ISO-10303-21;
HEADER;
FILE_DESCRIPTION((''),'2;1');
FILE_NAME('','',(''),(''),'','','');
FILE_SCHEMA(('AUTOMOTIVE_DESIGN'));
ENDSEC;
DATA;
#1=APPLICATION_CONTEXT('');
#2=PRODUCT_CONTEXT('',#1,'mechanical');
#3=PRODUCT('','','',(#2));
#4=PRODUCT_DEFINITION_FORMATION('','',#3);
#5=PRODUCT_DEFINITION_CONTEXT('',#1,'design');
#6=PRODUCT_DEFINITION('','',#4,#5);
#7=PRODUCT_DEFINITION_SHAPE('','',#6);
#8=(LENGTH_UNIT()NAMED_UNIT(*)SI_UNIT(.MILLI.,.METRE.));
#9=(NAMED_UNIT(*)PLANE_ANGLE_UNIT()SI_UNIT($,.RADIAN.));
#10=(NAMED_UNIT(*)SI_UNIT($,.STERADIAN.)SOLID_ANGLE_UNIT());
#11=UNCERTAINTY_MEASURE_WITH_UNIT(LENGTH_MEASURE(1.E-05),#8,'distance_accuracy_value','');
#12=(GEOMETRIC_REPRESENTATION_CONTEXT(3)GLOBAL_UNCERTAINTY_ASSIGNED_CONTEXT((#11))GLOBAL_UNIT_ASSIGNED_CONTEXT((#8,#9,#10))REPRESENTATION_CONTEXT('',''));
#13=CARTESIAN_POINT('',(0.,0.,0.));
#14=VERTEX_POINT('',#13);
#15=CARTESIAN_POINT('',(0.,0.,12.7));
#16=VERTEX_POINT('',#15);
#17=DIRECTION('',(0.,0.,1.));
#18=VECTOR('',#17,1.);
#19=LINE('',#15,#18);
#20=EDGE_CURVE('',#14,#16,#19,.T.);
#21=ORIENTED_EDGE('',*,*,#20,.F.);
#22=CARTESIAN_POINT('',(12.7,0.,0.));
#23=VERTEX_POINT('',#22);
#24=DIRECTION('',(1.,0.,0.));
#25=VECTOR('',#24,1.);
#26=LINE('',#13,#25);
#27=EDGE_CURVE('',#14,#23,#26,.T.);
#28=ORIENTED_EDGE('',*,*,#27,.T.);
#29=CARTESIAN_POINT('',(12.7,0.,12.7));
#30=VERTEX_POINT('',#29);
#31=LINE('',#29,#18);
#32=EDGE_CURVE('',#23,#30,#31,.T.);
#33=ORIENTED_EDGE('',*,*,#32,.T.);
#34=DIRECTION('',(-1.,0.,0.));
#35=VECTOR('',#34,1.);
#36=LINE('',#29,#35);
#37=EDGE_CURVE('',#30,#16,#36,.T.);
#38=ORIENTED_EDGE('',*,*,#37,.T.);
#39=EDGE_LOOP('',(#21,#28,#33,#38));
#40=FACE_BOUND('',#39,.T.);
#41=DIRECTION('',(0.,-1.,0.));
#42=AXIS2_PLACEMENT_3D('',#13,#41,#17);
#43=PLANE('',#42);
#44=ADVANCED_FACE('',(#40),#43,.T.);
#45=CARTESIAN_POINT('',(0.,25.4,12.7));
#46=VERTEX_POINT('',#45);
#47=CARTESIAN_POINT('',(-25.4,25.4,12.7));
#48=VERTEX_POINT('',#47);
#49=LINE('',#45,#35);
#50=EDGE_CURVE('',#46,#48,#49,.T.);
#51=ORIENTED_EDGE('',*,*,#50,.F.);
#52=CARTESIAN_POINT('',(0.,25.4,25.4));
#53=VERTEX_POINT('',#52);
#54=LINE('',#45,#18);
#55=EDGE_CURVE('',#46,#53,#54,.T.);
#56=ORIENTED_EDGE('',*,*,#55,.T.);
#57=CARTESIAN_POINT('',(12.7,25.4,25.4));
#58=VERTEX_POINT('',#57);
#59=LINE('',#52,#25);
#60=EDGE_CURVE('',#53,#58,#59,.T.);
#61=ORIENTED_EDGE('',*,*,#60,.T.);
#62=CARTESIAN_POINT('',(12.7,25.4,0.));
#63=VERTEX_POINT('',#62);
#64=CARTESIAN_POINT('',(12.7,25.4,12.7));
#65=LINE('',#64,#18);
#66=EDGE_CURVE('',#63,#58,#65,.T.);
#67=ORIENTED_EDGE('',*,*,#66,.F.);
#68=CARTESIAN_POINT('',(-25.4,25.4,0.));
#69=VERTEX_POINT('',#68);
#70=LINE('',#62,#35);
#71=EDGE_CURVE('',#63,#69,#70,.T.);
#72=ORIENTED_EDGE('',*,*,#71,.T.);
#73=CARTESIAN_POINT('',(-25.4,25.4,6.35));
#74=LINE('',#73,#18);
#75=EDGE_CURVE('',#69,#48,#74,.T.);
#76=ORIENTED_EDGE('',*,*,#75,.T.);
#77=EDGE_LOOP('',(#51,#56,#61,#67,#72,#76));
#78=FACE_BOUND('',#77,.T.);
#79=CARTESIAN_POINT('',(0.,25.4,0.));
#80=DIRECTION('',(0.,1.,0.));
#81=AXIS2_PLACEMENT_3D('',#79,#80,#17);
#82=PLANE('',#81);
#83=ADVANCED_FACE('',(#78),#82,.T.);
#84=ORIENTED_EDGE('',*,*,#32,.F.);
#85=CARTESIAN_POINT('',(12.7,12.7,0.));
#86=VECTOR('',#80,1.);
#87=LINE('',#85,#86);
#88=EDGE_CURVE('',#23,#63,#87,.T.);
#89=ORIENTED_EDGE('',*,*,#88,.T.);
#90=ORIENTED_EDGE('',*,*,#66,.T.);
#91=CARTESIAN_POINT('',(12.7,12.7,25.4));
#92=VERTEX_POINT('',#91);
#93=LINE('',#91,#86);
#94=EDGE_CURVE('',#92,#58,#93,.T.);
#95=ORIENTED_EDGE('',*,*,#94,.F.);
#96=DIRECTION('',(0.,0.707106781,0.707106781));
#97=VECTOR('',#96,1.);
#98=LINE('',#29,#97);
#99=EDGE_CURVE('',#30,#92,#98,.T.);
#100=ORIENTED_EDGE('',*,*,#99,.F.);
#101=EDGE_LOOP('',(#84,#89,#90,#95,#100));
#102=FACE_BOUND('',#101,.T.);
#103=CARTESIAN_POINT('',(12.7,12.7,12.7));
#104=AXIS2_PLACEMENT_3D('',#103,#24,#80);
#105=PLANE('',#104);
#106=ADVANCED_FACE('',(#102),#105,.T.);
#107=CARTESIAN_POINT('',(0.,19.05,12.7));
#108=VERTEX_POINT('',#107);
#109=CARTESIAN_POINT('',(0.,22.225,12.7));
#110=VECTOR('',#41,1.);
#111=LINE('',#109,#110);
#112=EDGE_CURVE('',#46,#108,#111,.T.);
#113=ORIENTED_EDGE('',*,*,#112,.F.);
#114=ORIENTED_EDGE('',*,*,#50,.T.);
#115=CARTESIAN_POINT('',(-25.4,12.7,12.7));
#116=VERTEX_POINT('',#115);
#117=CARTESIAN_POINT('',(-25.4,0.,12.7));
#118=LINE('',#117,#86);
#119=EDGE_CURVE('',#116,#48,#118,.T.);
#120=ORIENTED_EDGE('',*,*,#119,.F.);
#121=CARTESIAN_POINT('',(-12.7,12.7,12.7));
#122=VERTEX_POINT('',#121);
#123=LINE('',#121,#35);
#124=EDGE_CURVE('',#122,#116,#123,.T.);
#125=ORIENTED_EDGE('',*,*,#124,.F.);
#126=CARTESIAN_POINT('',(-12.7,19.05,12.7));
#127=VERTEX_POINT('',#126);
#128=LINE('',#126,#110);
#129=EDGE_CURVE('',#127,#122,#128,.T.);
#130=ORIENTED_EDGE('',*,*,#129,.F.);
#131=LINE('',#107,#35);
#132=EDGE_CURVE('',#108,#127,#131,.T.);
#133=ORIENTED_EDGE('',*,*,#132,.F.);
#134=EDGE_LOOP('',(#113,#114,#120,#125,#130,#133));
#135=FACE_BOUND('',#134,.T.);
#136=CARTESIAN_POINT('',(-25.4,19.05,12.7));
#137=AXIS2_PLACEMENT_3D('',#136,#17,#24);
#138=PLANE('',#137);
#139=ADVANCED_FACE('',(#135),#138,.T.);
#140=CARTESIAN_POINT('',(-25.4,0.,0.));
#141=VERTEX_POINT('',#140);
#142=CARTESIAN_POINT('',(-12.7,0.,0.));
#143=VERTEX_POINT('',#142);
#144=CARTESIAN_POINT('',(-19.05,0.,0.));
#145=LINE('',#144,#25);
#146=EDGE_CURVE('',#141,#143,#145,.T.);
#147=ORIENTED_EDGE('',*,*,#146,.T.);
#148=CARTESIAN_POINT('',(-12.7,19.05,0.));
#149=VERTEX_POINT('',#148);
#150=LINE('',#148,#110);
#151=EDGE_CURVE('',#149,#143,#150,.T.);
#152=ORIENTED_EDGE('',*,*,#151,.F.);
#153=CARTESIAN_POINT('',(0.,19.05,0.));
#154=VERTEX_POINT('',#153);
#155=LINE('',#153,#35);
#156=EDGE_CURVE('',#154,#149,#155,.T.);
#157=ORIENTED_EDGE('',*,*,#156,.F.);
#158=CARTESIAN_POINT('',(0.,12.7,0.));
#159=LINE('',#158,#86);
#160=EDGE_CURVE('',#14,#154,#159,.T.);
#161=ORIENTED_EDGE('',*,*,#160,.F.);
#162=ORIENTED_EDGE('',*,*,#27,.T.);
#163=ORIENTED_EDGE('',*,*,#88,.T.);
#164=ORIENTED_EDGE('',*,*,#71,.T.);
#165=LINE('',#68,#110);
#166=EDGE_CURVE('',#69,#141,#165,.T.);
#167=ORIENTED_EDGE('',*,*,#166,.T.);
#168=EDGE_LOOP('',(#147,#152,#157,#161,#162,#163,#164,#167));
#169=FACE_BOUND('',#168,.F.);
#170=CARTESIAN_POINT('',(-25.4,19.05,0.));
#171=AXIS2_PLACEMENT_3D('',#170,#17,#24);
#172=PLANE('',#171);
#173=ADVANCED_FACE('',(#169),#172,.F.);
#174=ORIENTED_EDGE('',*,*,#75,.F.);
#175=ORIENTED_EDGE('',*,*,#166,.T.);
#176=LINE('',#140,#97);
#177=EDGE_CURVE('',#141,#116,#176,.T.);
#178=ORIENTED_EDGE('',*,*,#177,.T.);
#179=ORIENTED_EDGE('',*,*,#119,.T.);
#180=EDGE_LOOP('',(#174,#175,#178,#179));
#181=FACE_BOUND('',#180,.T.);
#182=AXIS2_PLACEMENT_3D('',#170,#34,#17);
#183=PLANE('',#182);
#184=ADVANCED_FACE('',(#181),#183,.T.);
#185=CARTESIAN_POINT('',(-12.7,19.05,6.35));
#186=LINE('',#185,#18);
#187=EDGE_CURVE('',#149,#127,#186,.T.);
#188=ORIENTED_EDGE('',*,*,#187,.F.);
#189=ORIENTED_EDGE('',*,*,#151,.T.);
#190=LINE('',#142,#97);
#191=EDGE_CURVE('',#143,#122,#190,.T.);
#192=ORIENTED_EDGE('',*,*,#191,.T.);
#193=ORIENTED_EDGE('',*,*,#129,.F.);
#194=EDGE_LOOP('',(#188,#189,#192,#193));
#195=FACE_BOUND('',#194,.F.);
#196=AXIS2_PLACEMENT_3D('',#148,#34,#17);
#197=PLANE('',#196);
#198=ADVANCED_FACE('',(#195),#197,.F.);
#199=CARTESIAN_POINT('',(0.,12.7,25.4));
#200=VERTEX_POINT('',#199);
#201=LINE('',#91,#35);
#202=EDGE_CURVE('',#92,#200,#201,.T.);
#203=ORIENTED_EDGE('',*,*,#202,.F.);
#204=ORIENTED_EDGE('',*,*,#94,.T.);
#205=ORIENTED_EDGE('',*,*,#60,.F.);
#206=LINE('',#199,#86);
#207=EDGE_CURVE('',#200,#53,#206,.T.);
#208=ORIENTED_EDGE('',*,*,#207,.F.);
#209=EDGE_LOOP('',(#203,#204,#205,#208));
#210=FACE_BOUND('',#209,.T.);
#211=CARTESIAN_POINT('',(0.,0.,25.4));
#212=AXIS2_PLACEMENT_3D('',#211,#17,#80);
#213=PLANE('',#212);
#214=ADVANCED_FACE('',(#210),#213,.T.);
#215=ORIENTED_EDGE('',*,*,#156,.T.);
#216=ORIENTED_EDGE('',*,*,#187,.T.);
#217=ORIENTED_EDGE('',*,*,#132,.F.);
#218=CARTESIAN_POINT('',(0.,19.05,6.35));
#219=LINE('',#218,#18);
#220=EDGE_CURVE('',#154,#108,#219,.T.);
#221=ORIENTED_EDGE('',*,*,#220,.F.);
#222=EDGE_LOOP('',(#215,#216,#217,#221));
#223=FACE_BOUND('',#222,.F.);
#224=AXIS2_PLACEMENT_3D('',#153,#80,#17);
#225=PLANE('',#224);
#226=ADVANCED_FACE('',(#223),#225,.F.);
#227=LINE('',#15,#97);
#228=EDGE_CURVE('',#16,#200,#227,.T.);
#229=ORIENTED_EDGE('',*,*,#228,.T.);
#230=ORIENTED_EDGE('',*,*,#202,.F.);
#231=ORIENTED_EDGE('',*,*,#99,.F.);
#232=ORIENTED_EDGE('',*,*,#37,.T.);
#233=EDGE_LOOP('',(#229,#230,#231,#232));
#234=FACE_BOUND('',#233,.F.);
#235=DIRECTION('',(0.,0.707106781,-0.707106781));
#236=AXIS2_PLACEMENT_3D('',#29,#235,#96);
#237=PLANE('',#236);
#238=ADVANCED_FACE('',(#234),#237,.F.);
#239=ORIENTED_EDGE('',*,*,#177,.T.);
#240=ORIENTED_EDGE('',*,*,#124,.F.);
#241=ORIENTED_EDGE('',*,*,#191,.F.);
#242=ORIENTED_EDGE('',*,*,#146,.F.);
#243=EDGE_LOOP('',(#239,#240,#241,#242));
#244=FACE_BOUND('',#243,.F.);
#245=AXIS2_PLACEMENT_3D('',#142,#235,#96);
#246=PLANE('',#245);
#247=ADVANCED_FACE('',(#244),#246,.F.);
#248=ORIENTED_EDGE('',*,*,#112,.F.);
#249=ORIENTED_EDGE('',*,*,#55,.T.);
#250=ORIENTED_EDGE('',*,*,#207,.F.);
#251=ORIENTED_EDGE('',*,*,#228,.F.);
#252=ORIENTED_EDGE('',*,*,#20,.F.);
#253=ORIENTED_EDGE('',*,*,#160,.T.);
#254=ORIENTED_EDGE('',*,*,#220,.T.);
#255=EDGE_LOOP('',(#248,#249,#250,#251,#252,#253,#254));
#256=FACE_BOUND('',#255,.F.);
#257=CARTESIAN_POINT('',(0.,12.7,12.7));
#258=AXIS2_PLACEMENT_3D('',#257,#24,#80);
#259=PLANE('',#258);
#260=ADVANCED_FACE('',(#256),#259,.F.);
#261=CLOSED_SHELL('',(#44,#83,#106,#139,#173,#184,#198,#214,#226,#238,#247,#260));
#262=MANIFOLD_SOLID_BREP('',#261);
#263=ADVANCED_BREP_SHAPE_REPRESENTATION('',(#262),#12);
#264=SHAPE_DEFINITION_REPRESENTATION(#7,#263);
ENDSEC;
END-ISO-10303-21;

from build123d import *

# Parameters (mm, degrees)
F0_W     = 25.4
F0_H     = 25.4
F1_DEPTH = 12.7
F3_DEPTH = 12.7
F4_W     = 6.35
F4_H     = 12.7
F5_DEPTH = 25.4
F6_W     = 12.7
F6_H     = 12.7
F7_DEPTH = 19.05
F9_DEPTH = 12.7


with BuildPart() as f1:
    # F0 (on Right) → F1 (new body)
    with BuildSketch(Plane.YZ):
        with Locations((12.7, 12.7)):
            Rectangle(F0_W, F0_H)
    extrude(amount=F1_DEPTH)

    # F2 (on face) → F3 (cut)
    with BuildSketch(Plane.YZ.offset(12.7)):
        Polygon((12.7, 25.4), (0, 25.4), (0, 12.7), align=None)
    extrude(amount=-F3_DEPTH, mode=Mode.SUBTRACT)

    # F4 (on face) → F5 (join)
    with BuildSketch(Plane(origin=(0, 0, 0), x_dir=(0, -1, 0), z_dir=(-1, 0, 0))):
        with Locations((-22.225, 6.35)):
            Rectangle(F4_W, F4_H)
    extrude(amount=F5_DEPTH)

    # F6 (on face) → F7 (join)
    with BuildSketch(Plane.XZ.offset(-19.05)):
        with Locations((-19.05, 6.35)):
            Rectangle(F6_W, F6_H)
    extrude(amount=F7_DEPTH)

    # F8 (on face) → F9 (cut)
    with BuildSketch(Plane.YZ.offset(-12.7)):
        Polygon((0, 12.7), (0, 0), (12.7, 12.7), align=None)
    extrude(amount=-F9_DEPTH, mode=Mode.SUBTRACT)


solid = f1.part
